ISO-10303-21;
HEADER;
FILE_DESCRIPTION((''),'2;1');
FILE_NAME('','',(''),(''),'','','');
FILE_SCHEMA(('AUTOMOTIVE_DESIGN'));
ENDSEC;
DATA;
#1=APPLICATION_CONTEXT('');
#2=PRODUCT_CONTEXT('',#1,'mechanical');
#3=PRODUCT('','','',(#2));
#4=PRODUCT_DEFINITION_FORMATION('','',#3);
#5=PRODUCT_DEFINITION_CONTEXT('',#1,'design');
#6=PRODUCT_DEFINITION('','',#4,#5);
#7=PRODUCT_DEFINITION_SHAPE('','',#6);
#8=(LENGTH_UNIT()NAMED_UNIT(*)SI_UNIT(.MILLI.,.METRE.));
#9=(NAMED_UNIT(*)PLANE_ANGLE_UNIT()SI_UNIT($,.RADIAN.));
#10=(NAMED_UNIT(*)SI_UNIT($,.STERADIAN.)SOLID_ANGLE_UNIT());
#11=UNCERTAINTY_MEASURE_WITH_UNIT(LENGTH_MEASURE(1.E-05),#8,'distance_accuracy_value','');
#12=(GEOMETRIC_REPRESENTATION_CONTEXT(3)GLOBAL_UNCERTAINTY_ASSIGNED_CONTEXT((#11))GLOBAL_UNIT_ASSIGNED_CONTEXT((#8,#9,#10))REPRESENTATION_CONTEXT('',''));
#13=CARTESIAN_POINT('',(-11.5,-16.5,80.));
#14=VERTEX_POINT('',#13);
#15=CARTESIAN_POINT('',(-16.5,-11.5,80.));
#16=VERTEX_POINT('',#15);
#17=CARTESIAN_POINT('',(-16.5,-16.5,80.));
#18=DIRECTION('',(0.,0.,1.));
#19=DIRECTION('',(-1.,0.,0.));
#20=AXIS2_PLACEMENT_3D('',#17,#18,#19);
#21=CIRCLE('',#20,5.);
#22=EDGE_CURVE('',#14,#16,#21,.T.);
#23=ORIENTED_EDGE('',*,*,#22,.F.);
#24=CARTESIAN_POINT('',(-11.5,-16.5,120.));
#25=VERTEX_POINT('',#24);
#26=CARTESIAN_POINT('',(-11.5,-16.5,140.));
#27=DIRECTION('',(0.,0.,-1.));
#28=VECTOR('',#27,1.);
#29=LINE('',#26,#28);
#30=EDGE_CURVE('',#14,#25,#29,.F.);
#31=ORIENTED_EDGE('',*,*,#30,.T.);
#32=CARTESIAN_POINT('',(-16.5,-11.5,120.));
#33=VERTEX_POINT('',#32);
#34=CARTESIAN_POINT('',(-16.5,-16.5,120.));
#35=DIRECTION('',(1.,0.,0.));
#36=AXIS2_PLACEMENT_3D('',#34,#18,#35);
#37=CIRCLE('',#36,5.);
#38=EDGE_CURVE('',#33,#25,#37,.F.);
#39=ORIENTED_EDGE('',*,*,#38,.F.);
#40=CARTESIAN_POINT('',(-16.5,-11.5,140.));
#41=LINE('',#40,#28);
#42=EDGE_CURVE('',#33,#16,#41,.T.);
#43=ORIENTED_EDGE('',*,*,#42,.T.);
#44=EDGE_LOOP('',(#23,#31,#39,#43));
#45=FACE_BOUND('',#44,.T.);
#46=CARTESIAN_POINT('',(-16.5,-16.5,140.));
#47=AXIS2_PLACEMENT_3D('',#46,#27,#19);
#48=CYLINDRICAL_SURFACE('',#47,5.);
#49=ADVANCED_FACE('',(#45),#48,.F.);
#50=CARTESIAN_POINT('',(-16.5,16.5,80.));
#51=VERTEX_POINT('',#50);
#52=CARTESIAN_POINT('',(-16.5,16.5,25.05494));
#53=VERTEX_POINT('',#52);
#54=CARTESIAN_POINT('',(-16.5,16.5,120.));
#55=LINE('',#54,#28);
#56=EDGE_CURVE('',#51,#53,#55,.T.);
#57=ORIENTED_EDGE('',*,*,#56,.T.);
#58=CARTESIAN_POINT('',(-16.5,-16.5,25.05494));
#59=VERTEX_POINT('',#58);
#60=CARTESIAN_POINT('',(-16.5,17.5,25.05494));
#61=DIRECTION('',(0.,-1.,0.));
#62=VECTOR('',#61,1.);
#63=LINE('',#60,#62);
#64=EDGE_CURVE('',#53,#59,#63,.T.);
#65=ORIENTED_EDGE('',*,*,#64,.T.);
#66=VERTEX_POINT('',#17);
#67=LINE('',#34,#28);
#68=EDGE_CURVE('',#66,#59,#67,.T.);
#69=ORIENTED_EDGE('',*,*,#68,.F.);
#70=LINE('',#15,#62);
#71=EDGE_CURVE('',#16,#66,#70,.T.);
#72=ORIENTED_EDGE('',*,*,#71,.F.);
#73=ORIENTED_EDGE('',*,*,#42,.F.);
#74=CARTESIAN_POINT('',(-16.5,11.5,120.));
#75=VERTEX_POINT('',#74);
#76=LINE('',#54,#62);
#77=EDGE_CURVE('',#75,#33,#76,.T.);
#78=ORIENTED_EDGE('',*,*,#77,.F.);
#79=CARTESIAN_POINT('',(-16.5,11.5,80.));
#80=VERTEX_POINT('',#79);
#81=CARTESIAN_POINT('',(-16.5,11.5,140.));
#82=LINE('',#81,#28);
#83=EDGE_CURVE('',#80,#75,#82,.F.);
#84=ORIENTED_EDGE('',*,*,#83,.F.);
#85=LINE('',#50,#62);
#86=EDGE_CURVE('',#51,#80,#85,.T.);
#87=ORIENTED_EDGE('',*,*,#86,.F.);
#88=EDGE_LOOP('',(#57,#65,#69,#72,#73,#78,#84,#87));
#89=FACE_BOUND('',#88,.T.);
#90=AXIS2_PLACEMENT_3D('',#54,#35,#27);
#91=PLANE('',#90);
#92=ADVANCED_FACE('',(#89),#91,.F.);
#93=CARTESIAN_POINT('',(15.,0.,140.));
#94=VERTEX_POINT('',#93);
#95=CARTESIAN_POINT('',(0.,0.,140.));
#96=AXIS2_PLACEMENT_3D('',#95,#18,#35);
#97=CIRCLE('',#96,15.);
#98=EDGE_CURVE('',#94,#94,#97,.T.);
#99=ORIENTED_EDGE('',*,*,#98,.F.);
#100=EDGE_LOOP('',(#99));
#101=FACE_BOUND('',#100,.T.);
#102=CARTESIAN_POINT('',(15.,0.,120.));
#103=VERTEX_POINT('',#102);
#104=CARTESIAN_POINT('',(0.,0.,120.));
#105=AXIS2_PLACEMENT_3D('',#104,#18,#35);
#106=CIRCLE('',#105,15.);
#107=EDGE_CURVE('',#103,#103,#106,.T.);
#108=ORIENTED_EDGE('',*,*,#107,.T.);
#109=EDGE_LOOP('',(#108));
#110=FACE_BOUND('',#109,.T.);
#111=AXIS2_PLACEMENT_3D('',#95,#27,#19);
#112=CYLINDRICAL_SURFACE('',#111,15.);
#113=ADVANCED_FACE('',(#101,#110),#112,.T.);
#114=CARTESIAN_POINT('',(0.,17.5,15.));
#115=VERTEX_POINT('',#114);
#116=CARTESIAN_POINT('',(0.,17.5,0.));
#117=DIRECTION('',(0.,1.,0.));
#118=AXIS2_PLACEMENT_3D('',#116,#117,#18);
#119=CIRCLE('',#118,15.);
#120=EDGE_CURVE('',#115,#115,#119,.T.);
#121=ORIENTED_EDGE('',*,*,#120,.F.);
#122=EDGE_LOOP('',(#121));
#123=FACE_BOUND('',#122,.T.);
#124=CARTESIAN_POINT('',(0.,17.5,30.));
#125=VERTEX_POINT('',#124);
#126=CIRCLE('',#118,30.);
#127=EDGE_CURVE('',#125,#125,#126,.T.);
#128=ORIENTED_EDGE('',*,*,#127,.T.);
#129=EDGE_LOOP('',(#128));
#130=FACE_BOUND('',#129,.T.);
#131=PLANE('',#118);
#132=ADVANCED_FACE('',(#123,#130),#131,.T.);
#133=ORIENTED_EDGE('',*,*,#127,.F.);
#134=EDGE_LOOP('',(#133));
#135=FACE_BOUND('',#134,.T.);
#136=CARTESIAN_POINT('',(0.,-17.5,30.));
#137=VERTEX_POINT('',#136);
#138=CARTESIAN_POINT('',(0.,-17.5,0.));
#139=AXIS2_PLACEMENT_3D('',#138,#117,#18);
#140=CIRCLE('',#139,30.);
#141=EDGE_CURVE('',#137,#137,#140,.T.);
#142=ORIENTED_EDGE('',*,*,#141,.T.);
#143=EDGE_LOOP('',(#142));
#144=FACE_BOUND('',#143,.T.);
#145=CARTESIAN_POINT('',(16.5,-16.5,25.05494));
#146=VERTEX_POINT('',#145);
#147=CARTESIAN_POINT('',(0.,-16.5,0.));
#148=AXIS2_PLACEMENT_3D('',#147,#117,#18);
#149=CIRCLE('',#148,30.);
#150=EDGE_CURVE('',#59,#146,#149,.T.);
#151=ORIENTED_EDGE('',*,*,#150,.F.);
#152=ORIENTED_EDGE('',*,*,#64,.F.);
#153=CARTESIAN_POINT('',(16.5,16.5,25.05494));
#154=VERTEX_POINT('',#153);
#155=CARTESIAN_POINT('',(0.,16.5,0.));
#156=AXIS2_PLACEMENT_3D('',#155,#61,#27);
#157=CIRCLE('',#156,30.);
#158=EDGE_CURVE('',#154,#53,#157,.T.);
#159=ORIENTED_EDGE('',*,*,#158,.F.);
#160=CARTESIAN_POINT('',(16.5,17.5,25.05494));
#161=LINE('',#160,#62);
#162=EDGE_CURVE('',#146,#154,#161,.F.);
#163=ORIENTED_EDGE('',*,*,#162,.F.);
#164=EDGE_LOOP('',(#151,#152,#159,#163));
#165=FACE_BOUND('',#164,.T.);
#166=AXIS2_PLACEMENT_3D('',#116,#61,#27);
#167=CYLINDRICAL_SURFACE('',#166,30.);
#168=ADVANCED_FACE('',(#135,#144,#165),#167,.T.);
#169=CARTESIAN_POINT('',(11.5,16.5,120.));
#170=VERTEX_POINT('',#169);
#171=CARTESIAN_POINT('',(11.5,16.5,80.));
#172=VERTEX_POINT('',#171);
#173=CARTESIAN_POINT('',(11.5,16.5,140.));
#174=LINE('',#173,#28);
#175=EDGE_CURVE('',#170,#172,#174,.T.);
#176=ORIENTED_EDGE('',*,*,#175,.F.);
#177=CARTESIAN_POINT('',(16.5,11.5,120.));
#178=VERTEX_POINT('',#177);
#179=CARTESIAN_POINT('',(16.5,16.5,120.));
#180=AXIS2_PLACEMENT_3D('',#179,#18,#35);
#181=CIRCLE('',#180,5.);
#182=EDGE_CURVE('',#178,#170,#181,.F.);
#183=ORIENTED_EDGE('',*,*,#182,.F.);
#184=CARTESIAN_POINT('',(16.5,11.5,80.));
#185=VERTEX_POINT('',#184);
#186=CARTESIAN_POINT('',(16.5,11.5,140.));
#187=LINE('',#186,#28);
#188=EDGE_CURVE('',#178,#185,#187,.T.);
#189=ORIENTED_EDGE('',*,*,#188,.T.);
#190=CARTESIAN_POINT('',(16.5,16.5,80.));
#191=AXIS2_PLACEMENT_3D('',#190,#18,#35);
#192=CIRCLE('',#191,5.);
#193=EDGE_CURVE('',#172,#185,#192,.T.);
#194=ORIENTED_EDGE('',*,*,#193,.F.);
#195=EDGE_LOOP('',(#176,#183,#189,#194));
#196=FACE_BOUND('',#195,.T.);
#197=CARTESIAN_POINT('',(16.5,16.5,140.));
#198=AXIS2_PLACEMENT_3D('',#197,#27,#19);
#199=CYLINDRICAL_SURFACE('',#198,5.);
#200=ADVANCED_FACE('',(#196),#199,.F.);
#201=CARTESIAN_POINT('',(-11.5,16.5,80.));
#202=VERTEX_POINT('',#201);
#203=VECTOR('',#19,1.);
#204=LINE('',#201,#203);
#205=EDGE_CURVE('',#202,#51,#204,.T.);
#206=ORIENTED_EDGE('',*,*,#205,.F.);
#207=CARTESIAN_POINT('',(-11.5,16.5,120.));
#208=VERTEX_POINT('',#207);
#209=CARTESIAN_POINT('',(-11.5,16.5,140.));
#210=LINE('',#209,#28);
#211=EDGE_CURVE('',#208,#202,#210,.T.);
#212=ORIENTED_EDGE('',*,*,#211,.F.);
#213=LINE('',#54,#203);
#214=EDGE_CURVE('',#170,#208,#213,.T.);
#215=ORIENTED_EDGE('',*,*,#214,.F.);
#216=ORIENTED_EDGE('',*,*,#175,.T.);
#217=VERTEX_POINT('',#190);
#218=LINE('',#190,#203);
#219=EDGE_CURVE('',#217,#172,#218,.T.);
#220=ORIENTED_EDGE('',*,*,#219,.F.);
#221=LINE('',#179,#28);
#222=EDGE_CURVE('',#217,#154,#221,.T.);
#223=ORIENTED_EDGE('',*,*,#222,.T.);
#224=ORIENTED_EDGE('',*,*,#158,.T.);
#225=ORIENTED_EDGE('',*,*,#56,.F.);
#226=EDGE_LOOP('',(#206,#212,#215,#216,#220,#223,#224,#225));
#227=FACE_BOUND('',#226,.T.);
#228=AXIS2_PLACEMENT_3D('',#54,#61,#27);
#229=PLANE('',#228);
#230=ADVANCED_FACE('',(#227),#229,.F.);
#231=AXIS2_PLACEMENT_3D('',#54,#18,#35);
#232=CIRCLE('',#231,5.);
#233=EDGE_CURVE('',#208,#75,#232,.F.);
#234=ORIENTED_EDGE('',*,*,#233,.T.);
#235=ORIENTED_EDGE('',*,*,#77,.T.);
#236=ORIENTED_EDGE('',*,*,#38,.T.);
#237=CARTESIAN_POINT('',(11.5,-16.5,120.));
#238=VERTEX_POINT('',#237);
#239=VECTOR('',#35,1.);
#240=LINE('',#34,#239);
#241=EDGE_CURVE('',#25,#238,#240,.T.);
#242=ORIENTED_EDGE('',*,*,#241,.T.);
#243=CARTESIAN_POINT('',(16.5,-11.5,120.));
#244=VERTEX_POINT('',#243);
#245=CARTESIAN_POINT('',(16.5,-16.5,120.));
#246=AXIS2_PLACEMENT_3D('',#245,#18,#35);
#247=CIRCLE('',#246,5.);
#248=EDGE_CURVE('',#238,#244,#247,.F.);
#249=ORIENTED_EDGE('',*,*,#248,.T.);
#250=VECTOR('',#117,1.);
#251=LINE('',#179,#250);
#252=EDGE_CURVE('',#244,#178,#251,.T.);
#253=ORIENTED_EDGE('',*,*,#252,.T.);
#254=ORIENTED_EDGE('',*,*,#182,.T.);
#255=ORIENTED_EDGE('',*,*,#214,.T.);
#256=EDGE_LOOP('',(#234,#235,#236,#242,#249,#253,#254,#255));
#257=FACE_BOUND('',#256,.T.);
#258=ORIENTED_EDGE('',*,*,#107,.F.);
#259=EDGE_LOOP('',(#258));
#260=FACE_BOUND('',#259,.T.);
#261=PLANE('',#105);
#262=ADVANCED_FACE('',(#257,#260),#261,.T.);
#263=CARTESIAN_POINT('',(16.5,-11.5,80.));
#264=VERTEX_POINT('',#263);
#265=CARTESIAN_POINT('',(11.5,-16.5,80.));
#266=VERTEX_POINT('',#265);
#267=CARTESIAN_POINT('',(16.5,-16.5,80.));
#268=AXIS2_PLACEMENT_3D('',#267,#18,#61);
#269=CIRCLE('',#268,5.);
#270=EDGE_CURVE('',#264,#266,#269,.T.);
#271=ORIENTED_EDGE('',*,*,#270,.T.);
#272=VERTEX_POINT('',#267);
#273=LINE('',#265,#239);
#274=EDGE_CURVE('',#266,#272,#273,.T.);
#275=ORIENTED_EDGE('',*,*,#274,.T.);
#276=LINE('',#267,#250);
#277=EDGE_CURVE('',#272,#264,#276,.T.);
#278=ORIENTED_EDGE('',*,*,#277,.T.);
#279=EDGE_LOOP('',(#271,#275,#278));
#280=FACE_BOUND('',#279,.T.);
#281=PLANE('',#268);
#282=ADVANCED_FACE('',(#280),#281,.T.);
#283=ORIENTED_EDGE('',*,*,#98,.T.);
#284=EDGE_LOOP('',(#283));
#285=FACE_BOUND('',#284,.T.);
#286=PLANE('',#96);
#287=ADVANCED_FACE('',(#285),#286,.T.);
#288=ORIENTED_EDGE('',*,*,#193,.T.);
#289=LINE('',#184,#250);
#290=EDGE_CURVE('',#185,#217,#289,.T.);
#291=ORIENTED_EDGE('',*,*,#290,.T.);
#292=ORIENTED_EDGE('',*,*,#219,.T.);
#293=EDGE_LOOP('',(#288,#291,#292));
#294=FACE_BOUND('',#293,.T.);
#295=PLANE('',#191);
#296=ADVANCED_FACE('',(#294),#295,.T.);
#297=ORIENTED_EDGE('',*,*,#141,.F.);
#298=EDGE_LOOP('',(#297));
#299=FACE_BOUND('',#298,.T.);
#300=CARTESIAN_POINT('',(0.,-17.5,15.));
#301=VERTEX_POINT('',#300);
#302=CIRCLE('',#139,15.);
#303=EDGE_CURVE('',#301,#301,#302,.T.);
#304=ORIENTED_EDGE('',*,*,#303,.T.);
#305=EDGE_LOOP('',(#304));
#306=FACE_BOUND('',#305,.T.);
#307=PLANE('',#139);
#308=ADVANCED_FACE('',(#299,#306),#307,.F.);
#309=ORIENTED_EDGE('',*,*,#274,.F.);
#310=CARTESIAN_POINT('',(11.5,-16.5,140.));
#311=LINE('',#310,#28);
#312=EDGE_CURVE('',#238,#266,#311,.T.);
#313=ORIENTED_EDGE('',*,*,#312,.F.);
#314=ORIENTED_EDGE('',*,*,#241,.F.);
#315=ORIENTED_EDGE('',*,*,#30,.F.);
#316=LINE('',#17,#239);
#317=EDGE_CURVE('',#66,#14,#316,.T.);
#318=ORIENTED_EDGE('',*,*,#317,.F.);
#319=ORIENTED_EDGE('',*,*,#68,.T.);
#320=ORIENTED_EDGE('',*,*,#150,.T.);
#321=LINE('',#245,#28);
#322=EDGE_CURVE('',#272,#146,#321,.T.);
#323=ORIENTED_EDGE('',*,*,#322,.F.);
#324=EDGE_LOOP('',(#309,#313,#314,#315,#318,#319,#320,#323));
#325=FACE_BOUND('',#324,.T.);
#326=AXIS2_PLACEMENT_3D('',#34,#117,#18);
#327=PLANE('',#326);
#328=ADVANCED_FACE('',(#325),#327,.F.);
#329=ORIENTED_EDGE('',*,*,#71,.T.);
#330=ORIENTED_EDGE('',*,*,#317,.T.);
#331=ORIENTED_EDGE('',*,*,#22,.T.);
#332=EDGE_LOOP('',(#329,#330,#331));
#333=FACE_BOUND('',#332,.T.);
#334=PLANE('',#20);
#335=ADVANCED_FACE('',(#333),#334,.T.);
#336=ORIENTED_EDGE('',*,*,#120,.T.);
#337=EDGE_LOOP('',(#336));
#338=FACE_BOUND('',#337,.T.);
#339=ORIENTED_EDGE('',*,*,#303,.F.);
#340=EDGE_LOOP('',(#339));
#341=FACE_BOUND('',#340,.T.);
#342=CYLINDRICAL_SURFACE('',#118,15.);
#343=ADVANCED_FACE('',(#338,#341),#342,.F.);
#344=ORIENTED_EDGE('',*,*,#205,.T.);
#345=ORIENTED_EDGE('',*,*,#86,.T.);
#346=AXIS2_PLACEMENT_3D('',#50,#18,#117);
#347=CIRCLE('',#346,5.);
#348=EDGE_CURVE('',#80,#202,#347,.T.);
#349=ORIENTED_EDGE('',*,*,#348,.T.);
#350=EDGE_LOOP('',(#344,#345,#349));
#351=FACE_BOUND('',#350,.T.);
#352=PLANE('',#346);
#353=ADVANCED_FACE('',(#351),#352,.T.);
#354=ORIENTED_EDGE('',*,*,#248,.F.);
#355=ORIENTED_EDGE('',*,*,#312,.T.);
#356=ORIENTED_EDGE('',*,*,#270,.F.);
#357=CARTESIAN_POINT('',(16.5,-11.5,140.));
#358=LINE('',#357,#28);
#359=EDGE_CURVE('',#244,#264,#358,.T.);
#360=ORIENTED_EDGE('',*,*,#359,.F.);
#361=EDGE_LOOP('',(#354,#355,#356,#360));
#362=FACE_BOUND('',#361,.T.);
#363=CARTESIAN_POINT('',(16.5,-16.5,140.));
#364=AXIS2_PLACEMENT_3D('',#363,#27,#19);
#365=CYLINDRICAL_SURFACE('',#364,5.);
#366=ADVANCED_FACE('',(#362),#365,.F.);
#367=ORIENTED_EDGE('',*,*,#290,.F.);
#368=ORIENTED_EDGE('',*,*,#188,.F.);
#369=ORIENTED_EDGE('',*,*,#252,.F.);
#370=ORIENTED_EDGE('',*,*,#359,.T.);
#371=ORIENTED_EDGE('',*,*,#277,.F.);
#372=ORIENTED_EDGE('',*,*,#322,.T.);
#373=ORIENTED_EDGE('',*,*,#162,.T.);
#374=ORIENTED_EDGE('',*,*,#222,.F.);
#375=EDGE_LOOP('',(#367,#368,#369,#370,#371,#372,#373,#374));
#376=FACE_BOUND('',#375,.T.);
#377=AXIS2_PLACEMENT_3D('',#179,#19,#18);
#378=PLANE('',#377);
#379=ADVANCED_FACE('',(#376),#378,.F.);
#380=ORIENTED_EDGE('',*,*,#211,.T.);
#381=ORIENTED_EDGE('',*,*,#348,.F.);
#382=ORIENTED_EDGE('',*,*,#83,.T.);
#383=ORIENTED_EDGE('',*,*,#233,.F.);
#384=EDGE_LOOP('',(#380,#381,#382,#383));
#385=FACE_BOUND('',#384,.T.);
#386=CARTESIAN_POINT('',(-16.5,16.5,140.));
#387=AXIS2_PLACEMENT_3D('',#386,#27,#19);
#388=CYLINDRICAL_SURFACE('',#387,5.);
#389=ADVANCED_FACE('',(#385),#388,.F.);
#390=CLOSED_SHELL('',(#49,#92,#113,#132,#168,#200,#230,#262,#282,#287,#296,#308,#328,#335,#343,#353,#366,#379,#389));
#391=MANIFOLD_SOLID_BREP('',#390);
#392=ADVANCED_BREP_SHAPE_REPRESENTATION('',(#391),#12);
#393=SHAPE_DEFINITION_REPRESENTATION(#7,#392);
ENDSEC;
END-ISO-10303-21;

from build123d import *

# Parameters (mm, degrees)
SKETCH1_R           = 30
BOSS_EXTRUDE1_DEPTH = 17.5
SKETCH2_W           = 33
SKETCH2_H           = 33
BOSS_EXTRUDE2_DEPTH = 120
SKETCH3_R           = 15
BOSS_EXTRUDE3_DEPTH = 20
CUT_EXTRUDE1_START  = -40
CUT_EXTRUDE1_DEPTH  = 194.968340902
CIRPATTERN1_COUNT   = 4
HOLE1_D             = 30


with BuildPart() as part:
    # Sketch1 → Boss-Extrude1 (new, symmetric)
    with BuildSketch(Plane(origin=(0, 0, 0), x_dir=(1, 0, 0), z_dir=(0, 1, 0))):
        with Locations(Location((0, 0, 0), (0, 0, 270))):
            Circle(SKETCH1_R)
    extrude(amount=BOSS_EXTRUDE1_DEPTH, both=True)

    # Sketch2 → Boss-Extrude2 (add)
    with BuildSketch(Plane.XY):
        Rectangle(SKETCH2_W, SKETCH2_H)
    extrude(amount=BOSS_EXTRUDE2_DEPTH)

    # Sketch3 → Boss-Extrude3 (add)
    with BuildSketch(Plane.XY.offset(120)):
        Circle(SKETCH3_R)
    extrude(amount=BOSS_EXTRUDE3_DEPTH)

    # Sketch4 → Cut-Extrude1 (cut)
    with BuildSketch(Plane.XY.offset(120).offset(CUT_EXTRUDE1_START)):
        with BuildLine():
            Line((16.5, 11.5), (16.5, 16.5))
            Line((16.5, 16.5), (11.5, 16.5))
            ThreePointArc((11.5, 16.5), (12.964466094, 12.964466094), (16.5, 11.5))
        make_face()
    cut_extrude1 = extrude(amount=CUT_EXTRUDE1_DEPTH, mode=Mode.SUBTRACT)

    # CirPattern1: Cut-Extrude1 ×4 about axis
    cirpattern1_axis = Axis((0, 0, 0), (0, 0, 1))
    for i in range(1, CIRPATTERN1_COUNT):
        add(cut_extrude1.rotate(cirpattern1_axis, i * 360 / CIRPATTERN1_COUNT), mode=Mode.SUBTRACT)

    # Hole1 (through all)
    with Locations(Plane(origin=(0, 17.5, 0), x_dir=(1, 0, 0), z_dir=(0, 1, 0))):
        with Locations((0, 0)):
            Hole(HOLE1_D / 2)


solid = part.part
